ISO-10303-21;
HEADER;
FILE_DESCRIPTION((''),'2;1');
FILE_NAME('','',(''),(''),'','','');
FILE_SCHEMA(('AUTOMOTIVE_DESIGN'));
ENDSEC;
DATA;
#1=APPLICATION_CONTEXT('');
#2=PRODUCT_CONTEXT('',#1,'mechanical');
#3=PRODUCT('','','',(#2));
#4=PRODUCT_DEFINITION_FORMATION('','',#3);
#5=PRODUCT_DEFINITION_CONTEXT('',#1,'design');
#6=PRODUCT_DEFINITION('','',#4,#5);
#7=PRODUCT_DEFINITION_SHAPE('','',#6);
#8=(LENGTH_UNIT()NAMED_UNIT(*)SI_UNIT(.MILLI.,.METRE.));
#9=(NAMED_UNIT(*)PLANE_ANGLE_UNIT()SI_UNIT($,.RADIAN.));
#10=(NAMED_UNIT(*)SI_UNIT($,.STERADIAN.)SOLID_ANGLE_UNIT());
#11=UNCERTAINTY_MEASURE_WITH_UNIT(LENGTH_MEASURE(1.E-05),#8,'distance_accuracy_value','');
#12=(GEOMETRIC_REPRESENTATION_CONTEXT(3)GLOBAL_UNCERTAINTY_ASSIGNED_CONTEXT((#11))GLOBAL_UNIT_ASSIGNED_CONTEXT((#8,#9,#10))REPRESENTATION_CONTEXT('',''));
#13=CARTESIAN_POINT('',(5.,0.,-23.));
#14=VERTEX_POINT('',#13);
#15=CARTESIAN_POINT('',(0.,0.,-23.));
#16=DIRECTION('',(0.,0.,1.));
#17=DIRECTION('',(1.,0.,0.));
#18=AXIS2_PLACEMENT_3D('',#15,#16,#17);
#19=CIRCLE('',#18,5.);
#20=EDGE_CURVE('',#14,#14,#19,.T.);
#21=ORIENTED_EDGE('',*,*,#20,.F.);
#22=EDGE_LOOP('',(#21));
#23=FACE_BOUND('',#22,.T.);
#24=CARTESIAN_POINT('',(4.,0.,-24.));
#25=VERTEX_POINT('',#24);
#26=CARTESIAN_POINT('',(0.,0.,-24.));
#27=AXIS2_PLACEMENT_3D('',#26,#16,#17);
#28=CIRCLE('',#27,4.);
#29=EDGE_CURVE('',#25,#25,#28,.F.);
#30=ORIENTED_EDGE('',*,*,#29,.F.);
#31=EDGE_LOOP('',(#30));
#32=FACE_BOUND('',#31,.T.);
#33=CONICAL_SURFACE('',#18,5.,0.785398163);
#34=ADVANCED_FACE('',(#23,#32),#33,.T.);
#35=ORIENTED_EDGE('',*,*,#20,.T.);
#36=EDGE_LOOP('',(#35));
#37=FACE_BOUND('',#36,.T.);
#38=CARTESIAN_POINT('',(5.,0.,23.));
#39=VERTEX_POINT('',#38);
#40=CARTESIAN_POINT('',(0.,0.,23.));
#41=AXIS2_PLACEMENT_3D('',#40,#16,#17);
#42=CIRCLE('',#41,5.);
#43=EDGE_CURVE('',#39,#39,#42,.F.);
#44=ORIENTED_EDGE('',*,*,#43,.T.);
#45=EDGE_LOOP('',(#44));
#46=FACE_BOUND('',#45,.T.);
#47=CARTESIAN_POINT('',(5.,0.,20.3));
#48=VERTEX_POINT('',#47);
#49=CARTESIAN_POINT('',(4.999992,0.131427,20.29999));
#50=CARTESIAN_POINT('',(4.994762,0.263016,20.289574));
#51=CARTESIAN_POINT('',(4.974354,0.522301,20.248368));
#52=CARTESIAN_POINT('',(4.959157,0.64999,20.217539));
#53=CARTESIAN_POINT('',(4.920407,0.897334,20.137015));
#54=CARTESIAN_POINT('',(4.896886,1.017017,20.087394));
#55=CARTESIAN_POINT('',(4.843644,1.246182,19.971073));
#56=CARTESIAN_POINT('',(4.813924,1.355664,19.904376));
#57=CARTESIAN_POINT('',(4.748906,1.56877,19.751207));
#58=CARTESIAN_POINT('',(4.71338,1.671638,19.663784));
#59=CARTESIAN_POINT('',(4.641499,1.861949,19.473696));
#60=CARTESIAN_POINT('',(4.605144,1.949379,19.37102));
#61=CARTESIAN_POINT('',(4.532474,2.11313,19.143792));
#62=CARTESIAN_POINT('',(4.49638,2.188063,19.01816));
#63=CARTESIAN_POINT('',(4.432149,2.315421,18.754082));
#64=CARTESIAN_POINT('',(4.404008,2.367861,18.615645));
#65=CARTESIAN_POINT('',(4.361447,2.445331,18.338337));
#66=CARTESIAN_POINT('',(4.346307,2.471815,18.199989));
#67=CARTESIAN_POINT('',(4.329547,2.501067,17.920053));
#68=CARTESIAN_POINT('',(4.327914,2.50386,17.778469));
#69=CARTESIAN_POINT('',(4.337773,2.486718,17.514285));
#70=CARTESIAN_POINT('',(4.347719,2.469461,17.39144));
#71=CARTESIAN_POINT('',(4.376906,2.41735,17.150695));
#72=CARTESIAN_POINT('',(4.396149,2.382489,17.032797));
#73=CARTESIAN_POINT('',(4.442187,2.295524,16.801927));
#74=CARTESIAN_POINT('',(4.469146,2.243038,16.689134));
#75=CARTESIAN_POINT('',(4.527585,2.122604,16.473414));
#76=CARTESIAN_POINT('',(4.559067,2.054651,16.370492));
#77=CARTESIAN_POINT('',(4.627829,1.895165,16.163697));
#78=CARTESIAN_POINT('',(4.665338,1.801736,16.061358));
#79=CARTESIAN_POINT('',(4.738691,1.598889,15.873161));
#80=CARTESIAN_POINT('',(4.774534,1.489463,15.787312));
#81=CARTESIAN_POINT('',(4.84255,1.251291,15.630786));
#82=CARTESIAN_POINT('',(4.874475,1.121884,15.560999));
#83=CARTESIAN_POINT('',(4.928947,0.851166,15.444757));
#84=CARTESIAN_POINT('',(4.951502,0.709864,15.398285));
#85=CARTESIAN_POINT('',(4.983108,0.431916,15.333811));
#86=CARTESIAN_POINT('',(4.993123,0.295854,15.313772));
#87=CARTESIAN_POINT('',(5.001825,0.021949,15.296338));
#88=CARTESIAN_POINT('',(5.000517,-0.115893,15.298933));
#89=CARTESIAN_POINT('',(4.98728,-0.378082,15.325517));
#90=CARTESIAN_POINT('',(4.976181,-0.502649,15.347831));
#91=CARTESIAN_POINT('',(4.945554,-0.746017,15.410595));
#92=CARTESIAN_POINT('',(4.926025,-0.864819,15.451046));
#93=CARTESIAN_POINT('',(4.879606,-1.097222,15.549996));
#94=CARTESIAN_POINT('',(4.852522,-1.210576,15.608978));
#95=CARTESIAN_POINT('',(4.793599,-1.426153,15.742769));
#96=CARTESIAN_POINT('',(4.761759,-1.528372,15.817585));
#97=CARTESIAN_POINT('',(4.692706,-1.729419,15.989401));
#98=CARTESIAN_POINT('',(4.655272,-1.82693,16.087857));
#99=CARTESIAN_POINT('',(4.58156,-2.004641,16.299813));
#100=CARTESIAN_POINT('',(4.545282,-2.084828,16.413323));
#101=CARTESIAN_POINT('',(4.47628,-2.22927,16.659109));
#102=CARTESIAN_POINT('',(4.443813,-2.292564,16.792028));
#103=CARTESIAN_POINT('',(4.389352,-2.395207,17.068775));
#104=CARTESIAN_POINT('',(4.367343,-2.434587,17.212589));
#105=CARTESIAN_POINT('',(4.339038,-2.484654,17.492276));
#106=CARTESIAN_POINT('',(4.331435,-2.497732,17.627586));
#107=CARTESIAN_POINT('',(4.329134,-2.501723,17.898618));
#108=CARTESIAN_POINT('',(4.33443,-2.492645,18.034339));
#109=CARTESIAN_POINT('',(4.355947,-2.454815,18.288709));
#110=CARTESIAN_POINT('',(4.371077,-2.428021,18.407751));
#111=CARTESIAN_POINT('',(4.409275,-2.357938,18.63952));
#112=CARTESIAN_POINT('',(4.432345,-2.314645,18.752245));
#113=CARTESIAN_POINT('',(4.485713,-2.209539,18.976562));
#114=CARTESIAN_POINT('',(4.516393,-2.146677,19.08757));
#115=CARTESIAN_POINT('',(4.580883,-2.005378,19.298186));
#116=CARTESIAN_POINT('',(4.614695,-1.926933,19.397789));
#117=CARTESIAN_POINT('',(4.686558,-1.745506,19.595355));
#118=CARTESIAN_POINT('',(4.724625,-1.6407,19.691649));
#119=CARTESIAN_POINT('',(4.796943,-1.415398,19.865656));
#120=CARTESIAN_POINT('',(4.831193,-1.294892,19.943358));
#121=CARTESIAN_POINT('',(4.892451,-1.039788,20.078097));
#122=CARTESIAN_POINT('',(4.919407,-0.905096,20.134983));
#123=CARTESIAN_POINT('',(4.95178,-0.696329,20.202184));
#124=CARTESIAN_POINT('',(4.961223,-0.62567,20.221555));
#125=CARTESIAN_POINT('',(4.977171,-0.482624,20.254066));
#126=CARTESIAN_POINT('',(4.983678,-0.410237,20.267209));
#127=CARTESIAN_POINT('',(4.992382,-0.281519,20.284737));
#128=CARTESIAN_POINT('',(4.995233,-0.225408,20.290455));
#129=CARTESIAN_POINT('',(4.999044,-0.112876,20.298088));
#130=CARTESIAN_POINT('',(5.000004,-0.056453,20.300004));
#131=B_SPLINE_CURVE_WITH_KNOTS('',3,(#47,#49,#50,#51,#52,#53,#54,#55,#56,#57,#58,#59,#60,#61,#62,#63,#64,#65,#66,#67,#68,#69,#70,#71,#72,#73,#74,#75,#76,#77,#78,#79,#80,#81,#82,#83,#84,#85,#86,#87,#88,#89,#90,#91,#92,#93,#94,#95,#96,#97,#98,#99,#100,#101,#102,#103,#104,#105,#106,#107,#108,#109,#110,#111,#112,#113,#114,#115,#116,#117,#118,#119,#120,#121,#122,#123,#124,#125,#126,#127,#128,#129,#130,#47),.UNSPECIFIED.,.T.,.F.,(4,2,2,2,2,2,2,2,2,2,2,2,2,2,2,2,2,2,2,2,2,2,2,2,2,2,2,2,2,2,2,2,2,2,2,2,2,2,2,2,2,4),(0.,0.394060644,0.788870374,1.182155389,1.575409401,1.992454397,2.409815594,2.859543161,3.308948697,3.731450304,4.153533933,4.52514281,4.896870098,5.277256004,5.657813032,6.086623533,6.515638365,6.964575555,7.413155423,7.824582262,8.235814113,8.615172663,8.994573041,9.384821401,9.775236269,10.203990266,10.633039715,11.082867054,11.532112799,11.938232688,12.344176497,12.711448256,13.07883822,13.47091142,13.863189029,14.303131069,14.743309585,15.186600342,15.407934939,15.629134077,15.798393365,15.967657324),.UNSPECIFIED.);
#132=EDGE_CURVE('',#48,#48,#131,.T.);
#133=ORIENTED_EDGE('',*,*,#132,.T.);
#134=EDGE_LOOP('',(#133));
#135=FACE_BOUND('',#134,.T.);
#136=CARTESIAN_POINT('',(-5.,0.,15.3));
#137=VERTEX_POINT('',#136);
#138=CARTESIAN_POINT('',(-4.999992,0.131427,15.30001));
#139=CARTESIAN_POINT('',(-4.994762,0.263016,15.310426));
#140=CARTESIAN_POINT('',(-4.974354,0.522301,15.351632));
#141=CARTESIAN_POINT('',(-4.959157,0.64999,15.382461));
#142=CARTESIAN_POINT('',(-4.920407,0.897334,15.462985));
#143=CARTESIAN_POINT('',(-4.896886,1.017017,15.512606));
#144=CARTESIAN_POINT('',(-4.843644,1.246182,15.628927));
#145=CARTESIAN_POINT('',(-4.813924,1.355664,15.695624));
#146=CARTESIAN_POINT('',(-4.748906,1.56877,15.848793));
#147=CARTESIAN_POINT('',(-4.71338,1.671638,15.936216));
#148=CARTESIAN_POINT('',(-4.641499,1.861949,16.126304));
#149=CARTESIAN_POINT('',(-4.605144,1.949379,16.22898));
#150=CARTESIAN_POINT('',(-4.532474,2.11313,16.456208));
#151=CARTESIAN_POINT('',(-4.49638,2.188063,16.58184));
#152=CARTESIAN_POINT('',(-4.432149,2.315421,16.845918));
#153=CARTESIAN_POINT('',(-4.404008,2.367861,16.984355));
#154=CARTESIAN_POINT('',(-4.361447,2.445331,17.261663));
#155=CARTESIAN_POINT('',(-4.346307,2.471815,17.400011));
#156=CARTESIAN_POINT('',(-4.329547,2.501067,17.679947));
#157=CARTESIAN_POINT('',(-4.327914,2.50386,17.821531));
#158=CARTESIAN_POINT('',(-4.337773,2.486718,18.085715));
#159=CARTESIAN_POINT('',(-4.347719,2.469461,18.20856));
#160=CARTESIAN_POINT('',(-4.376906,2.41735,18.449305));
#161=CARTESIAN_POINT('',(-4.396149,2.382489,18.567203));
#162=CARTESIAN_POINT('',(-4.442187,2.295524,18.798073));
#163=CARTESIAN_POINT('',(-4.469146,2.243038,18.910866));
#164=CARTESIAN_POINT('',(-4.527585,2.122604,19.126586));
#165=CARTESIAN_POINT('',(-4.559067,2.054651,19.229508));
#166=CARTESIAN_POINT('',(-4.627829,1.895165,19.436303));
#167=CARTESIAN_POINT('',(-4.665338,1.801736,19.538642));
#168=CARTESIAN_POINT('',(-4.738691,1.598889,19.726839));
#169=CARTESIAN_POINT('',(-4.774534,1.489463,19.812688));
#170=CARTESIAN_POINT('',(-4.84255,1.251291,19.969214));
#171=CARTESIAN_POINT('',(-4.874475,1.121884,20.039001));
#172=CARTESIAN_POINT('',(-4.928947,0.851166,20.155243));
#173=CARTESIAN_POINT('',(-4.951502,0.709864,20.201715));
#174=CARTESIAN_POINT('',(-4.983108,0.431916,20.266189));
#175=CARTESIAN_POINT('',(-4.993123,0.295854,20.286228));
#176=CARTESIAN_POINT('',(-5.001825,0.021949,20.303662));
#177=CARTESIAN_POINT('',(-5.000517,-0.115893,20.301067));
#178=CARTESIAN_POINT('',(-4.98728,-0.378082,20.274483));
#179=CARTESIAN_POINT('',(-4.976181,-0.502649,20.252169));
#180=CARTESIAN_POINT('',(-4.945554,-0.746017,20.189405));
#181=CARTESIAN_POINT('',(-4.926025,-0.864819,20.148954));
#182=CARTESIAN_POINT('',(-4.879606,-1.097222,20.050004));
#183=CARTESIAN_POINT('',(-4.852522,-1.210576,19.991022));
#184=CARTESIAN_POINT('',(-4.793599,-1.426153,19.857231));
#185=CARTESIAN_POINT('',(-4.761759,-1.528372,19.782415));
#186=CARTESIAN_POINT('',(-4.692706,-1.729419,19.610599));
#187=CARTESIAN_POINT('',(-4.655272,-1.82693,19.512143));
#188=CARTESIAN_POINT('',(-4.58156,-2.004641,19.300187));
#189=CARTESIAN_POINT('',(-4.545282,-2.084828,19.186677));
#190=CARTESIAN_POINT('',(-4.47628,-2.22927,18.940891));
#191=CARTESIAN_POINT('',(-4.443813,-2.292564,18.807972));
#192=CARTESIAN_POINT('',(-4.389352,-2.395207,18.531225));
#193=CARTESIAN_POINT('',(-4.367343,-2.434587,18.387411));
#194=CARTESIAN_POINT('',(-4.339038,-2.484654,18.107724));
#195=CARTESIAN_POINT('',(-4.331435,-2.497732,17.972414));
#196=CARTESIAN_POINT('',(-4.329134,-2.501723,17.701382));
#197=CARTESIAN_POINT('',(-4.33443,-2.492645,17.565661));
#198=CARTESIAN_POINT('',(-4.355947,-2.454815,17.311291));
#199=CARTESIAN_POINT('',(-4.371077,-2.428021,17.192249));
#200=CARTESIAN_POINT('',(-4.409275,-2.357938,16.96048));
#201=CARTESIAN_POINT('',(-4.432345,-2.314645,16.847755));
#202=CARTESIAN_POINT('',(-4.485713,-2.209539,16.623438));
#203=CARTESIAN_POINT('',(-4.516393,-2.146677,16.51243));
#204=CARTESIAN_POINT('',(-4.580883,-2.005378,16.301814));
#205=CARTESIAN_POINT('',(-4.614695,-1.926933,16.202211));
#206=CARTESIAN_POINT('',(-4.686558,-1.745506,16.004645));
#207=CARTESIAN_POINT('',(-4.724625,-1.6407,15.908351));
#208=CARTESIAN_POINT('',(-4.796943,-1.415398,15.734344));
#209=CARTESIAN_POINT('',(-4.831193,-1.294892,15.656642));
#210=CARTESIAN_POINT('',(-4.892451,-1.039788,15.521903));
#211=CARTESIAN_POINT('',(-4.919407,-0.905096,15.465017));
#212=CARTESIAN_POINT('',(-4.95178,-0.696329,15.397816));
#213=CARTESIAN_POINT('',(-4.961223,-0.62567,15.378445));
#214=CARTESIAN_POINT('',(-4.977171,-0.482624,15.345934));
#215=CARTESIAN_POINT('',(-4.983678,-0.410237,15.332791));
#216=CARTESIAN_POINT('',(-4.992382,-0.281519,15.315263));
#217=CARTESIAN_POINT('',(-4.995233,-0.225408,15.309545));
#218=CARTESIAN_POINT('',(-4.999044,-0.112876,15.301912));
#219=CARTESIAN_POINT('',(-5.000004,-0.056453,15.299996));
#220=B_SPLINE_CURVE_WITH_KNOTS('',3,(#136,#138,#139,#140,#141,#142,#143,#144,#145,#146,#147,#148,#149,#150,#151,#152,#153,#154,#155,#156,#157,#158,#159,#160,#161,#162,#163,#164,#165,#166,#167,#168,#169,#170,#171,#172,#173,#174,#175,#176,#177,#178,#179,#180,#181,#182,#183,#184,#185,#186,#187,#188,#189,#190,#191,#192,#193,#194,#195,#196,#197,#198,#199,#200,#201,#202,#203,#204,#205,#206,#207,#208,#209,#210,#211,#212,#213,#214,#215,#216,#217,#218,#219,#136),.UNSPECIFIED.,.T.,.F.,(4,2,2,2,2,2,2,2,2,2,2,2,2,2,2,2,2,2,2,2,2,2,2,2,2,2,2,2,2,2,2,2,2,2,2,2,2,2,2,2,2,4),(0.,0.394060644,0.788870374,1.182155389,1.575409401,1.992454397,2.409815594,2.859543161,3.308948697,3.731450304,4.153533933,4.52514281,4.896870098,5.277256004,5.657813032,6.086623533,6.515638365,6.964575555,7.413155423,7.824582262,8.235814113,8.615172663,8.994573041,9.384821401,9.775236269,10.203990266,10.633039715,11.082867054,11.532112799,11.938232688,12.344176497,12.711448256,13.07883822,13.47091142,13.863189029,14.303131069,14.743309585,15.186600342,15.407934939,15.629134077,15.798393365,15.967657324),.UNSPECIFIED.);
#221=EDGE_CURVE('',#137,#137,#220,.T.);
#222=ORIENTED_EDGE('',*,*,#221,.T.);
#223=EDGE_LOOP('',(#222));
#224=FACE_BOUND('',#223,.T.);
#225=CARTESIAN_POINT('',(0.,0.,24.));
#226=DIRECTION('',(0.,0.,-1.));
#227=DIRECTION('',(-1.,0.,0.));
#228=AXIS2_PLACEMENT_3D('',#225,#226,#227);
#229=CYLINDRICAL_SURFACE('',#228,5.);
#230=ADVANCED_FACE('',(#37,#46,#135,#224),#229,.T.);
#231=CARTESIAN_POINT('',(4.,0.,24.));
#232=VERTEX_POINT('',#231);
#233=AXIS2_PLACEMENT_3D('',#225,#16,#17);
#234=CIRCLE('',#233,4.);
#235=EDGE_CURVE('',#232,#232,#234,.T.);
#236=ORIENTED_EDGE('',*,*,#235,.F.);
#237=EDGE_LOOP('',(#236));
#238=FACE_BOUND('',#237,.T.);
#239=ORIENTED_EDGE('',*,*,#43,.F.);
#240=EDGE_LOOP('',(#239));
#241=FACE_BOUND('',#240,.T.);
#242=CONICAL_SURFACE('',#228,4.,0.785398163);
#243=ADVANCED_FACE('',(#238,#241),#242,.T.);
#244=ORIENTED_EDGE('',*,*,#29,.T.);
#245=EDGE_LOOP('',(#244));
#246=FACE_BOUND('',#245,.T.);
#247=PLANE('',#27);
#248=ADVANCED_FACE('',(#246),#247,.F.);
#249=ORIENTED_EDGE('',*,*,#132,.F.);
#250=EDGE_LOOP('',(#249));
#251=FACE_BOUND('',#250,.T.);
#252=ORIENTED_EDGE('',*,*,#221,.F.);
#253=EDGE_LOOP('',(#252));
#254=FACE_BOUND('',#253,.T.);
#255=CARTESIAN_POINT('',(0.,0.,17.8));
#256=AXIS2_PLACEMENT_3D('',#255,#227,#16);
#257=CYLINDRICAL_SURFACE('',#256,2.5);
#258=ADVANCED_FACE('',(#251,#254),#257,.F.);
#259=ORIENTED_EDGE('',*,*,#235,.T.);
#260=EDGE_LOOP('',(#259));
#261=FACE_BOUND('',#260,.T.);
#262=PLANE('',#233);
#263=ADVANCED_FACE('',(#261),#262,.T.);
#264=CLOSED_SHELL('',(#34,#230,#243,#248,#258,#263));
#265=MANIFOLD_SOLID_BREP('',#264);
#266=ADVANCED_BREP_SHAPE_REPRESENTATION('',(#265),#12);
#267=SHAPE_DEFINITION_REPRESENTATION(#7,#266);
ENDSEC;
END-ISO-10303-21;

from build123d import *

# Parameters (mm, degrees)
SKETCH_1_R      = 5
EXTRUDE_1_DEPTH = 24
CHAMFER_1_SIZE  = 1
SKETCH_6_W      = 2.5
SKETCH_6_H      = 5


with BuildPart() as part:
    # ｽｹｯﾁ1 → ﾎﾞｽ - 押し出し1 (new, symmetric)
    with BuildSketch(Plane.XY):
        Circle(SKETCH_1_R)
    extrude(amount=EXTRUDE_1_DEPTH, both=True)

    # 面取り1
    chamfer_1_edges = [part.edges().sort_by_distance(p)[0] for p in [
        (-5, 0, -24),
        (-5, 0, 24),
    ]]
    chamfer(chamfer_1_edges, length=CHAMFER_1_SIZE)

    # ｽｹｯﾁ6 → M6x1.0 ねじ穴用ねじ下穴ﾄﾞﾘﾙ1 (revolve, cut)
    with BuildSketch(Plane(origin=(0, 0, 17.8), x_dir=(0, 0, 1), z_dir=(0, 1, 0))):
        with Locations((1.25, 2.5)):
            Rectangle(SKETCH_6_W, SKETCH_6_H)
    m6x1_0_1 = revolve(axis=Axis((-6.35, 0, 17.8), (1, 0, 0)), mode=Mode.SUBTRACT)

    # ﾐﾗｰ1: M6x1.0 ねじ穴用ねじ下穴ﾄﾞﾘﾙ1 across plane
    add(m6x1_0_1.mirror(Plane(origin=(0, 0, 0), x_dir=(0, 0, 1), z_dir=(1, 0, 0))), mode=Mode.SUBTRACT)


solid = part.part
